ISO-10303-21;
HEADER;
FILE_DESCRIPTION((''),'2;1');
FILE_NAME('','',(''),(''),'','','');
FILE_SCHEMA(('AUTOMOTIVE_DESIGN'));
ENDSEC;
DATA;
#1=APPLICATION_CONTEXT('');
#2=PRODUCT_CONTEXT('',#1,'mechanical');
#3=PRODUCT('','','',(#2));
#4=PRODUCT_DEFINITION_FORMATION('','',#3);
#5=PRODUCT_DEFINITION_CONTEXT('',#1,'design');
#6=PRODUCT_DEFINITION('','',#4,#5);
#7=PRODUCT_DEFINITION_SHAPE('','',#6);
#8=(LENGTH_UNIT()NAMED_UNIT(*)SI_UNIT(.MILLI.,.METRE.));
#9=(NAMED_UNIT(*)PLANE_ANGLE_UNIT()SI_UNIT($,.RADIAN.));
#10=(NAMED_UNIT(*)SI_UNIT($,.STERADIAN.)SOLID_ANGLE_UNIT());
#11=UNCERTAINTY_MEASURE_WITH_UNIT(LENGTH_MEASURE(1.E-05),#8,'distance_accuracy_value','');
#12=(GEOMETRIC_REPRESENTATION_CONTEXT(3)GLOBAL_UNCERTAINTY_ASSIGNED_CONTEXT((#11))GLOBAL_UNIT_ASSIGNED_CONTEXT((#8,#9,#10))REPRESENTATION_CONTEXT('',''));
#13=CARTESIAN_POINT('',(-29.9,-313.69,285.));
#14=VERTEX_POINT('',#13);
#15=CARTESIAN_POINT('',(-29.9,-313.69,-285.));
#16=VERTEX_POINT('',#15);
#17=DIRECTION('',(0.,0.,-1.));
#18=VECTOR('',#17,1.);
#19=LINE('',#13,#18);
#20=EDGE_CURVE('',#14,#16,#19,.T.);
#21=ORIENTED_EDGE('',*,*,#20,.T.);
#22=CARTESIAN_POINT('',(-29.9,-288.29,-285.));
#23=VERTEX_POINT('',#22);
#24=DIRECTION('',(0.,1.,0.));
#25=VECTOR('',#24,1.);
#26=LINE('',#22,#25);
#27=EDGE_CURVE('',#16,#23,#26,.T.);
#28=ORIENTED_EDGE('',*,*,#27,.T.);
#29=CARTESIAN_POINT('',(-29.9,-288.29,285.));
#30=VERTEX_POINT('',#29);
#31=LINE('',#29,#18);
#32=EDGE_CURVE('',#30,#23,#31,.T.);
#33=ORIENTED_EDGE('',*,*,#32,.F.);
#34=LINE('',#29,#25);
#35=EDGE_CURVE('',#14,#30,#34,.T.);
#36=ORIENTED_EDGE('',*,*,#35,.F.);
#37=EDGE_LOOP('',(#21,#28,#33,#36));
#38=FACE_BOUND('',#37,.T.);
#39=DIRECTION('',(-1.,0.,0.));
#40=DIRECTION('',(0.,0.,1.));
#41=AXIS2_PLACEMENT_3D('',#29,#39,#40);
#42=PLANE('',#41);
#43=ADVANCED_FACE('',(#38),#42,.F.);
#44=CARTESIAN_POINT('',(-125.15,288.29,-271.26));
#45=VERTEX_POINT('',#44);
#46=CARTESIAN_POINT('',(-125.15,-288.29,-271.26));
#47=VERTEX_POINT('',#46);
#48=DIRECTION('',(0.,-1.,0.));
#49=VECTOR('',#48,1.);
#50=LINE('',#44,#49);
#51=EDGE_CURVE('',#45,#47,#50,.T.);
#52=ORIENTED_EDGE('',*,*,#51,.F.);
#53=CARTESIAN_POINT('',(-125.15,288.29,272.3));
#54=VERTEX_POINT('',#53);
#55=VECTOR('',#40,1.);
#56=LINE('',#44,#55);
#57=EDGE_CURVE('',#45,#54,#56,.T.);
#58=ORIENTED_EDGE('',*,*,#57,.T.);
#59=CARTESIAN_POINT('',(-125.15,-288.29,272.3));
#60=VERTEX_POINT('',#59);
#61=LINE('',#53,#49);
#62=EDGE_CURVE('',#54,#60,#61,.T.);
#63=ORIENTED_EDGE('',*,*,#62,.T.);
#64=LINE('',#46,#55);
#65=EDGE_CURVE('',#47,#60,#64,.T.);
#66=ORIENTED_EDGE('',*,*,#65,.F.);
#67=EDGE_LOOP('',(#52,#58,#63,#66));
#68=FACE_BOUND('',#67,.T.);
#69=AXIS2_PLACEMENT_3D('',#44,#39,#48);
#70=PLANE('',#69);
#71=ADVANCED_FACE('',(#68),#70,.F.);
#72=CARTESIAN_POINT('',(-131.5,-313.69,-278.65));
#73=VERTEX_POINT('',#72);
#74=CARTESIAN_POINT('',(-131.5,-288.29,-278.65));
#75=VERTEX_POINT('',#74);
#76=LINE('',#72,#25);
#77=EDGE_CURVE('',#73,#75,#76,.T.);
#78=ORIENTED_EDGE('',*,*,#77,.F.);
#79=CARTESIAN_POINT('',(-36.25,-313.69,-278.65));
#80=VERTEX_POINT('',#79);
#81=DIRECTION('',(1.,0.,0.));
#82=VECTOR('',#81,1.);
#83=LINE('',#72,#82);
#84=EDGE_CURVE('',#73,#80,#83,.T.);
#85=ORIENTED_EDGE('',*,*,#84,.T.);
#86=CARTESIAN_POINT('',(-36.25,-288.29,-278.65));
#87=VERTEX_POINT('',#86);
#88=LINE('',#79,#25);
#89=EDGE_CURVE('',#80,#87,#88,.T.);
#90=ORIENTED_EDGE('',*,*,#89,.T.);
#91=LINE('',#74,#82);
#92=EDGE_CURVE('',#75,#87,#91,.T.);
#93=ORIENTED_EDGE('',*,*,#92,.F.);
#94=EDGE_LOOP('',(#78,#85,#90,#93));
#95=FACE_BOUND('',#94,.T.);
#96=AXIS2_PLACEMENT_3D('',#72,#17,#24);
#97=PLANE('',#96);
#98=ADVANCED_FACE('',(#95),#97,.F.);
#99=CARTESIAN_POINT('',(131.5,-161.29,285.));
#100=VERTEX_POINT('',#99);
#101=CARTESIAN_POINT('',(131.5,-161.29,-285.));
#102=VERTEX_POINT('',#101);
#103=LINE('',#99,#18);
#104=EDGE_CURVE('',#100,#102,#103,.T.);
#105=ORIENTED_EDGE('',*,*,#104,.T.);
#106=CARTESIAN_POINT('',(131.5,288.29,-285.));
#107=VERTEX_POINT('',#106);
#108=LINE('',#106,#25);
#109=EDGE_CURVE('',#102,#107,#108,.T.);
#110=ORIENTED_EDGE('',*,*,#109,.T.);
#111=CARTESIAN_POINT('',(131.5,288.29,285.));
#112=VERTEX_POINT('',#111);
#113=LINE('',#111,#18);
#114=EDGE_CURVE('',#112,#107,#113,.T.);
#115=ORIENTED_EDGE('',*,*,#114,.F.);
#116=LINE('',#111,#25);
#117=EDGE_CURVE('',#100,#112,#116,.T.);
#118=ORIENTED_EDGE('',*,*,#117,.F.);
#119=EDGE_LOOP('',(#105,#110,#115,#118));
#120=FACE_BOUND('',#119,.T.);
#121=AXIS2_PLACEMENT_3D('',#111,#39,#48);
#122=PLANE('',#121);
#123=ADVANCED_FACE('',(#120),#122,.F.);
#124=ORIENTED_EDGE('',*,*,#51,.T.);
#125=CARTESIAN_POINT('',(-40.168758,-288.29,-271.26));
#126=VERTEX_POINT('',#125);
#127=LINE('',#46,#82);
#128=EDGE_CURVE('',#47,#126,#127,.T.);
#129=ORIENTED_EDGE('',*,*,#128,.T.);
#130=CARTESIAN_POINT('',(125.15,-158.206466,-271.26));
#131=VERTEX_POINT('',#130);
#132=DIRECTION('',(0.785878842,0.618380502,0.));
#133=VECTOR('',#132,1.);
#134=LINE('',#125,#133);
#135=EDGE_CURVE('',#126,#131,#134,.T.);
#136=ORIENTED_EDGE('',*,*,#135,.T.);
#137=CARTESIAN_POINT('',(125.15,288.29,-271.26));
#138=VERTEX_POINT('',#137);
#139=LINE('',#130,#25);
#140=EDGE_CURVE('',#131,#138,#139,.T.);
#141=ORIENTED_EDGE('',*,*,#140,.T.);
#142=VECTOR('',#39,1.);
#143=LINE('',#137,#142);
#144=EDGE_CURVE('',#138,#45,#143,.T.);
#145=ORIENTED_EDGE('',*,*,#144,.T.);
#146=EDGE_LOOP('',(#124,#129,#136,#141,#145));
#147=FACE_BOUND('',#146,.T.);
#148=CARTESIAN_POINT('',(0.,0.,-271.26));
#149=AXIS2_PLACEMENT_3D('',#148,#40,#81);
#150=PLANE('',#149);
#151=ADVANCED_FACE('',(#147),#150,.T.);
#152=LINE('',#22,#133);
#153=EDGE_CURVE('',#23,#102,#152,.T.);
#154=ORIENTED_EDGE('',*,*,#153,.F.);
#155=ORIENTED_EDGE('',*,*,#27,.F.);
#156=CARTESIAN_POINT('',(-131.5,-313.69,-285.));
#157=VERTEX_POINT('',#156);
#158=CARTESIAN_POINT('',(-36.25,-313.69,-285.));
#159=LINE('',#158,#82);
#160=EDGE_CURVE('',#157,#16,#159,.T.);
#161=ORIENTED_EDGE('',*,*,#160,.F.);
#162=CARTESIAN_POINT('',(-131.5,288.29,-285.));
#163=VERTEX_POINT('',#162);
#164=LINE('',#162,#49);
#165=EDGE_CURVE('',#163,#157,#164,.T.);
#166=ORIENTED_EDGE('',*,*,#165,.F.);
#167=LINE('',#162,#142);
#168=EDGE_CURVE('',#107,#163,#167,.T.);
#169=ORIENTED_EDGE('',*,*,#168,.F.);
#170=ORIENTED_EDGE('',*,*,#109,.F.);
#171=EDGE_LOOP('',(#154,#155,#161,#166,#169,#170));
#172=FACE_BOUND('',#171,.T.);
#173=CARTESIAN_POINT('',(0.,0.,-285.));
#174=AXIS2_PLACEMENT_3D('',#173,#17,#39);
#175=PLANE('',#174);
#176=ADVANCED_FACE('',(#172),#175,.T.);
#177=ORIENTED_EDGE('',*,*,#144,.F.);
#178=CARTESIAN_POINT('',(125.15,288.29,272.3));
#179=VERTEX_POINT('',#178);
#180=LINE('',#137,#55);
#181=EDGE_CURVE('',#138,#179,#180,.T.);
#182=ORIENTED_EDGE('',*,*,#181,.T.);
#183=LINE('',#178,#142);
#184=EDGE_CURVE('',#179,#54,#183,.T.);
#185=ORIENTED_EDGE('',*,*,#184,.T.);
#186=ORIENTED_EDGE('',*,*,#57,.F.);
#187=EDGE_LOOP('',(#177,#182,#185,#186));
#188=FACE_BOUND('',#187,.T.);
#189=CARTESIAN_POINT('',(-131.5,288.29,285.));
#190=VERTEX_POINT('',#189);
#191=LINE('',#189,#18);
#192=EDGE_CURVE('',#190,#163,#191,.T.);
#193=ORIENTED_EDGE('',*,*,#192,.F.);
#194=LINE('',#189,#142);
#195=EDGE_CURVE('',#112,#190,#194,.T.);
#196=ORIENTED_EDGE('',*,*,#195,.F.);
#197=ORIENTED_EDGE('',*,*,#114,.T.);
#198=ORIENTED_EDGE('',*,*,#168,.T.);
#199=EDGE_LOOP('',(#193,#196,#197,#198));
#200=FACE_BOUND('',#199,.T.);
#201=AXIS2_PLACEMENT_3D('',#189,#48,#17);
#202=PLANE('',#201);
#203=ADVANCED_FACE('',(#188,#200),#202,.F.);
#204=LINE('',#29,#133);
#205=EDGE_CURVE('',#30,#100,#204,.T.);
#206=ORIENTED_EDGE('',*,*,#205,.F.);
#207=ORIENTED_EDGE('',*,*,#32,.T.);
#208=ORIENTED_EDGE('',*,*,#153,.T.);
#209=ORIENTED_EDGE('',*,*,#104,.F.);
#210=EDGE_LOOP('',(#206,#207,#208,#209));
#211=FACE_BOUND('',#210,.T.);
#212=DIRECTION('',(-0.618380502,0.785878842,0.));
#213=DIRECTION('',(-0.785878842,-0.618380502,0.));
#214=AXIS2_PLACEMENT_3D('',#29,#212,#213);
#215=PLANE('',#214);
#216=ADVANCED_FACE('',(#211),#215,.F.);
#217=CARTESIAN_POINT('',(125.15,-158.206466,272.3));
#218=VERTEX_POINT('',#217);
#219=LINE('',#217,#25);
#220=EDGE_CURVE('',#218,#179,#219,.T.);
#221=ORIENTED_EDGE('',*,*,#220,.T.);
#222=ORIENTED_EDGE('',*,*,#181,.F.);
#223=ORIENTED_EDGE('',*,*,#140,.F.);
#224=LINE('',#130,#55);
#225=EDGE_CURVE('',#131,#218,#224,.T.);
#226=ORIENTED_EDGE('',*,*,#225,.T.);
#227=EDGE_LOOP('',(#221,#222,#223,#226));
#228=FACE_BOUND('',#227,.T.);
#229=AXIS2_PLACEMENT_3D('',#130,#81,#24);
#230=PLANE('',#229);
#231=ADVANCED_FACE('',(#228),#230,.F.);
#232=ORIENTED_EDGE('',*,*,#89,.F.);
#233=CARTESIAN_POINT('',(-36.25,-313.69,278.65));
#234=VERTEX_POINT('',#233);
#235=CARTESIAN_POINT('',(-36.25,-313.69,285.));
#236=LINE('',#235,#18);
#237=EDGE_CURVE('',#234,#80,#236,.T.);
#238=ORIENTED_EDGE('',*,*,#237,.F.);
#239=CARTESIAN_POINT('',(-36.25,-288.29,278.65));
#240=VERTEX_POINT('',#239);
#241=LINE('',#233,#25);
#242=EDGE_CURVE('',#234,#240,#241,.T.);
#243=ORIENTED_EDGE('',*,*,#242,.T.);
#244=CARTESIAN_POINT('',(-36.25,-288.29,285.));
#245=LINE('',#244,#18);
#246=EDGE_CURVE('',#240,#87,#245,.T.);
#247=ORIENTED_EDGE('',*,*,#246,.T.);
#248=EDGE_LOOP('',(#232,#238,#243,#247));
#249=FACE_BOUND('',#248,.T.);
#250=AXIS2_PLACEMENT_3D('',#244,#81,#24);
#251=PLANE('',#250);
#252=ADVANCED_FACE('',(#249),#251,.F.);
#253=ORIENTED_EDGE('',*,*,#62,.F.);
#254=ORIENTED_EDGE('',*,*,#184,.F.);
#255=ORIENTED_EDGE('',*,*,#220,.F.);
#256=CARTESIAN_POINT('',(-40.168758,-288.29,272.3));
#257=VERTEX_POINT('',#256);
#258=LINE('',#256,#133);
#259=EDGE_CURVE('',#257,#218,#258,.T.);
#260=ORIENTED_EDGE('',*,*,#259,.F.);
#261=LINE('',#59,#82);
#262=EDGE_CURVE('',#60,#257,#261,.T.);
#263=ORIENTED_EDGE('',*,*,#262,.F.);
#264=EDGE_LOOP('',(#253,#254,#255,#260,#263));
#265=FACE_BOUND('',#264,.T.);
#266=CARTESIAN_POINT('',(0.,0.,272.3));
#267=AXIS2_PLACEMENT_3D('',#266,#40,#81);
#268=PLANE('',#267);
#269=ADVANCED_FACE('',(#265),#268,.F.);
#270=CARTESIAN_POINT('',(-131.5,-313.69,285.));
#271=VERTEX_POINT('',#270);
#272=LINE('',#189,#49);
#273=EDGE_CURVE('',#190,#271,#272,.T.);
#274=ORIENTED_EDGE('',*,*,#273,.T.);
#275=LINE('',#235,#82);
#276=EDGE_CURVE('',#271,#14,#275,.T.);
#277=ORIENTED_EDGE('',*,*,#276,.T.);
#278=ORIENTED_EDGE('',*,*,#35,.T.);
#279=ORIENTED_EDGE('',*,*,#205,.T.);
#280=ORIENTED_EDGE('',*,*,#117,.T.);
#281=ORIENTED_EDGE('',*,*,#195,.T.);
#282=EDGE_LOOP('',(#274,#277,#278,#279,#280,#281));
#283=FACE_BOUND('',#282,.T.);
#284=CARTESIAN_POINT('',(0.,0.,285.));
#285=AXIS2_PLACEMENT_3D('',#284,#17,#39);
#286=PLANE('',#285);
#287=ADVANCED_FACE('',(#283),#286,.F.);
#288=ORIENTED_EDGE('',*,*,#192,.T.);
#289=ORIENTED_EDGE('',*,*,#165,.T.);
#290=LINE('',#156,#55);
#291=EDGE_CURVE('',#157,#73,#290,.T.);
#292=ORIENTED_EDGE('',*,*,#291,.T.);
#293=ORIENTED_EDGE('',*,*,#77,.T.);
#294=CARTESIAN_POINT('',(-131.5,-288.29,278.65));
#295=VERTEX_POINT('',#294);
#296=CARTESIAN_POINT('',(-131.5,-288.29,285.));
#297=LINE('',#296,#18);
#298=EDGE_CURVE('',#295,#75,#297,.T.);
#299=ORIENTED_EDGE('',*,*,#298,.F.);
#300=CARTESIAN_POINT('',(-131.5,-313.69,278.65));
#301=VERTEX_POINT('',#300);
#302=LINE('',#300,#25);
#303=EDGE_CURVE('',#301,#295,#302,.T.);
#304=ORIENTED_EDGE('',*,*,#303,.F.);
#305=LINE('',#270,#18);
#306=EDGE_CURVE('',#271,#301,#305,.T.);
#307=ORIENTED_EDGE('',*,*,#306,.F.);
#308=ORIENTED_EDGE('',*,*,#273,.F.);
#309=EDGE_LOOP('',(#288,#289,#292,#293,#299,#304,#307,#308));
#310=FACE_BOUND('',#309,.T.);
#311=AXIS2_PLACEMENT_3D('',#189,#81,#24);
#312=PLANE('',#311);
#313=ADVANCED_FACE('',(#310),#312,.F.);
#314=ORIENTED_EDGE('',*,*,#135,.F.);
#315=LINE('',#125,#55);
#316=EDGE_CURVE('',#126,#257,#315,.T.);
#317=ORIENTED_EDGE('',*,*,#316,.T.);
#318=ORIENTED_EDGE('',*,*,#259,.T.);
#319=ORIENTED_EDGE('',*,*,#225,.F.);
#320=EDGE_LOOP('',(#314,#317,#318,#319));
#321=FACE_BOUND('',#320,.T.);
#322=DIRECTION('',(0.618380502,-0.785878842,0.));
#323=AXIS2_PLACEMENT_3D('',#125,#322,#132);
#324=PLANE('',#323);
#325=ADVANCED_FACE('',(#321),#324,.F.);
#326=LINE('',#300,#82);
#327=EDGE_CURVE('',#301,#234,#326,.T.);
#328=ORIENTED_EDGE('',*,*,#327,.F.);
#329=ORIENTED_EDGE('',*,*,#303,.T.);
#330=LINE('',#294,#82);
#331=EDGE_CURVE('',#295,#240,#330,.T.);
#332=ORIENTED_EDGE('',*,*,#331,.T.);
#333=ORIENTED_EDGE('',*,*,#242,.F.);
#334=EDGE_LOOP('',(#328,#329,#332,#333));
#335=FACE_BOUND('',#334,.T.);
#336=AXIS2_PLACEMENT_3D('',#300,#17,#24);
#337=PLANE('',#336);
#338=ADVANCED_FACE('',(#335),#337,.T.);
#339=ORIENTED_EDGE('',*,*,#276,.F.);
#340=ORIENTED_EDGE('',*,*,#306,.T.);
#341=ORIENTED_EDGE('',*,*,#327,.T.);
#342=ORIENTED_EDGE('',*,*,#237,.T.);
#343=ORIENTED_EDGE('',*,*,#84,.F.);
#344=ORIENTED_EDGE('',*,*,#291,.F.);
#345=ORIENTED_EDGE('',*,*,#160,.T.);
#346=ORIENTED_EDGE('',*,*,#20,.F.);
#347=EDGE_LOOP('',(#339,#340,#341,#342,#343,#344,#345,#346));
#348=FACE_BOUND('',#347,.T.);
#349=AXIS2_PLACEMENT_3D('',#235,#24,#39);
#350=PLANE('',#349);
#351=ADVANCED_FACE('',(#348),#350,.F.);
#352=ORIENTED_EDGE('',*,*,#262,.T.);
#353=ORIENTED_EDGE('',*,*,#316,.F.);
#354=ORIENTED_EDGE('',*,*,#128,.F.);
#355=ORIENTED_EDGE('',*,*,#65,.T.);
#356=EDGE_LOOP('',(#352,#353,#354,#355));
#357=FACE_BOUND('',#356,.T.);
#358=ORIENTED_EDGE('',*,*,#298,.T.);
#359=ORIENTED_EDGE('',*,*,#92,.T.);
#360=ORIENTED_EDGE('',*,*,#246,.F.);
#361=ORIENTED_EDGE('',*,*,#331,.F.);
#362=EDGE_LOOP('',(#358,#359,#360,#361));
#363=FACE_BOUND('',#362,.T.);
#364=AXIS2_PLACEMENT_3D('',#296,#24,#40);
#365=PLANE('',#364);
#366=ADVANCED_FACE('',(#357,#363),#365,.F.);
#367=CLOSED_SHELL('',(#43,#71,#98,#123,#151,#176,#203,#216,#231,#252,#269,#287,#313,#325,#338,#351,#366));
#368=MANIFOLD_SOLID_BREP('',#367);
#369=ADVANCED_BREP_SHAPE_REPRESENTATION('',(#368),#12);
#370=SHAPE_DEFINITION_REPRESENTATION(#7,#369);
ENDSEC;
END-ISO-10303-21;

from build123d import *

# Parameters (mm, degrees)
BOSS_EXTRU_1_DEPTH      = 285
ENL_V_MAT_EXTRU_1_DEPTH = 543.56
ESQUISSE4_W             = 6.35
ESQUISSE4_H             = 25.4
BOSS_EXTRU_2_DEPTH      = 95.25


with BuildPart() as part:
    # Esquisse1 → Boss.-Extru.1 (new, symmetric)
    with BuildSketch(Plane.XY):
        Polygon((-29.9, -288.29), (131.5, -161.29), (131.5, 288.29), (-131.5, 288.29), (-131.5, -288.29), (-36.25, -288.29), (-36.25, -313.69), (-29.9, -313.69), align=None)
    extrude(amount=BOSS_EXTRU_1_DEPTH, both=True)

    # Esquisse2 → Enlèv. mat.-Extru.1 (cut)
    with BuildSketch(Plane.XY.offset(272.3)):
        Polygon((-125.15, 288.29), (-125.15, -288.29), (-40.168758445, -288.29), (125.15, -158.206466403), (125.15, 288.29), align=None)
    extrude(amount=-ENL_V_MAT_EXTRU_1_DEPTH, mode=Mode.SUBTRACT)

    # Esquisse4 → Boss.-Extru.2 (add)
    with BuildSketch(Plane.ZY.offset(36.25)):
        with Locations((-281.825, -300.99)):
            Rectangle(ESQUISSE4_W, ESQUISSE4_H)
    boss_extru_2 = extrude(amount=BOSS_EXTRU_2_DEPTH)

    # Symétrie1: Boss.-Extru.2 across plane
    add(boss_extru_2.mirror(Plane.XY))


solid = part.part
